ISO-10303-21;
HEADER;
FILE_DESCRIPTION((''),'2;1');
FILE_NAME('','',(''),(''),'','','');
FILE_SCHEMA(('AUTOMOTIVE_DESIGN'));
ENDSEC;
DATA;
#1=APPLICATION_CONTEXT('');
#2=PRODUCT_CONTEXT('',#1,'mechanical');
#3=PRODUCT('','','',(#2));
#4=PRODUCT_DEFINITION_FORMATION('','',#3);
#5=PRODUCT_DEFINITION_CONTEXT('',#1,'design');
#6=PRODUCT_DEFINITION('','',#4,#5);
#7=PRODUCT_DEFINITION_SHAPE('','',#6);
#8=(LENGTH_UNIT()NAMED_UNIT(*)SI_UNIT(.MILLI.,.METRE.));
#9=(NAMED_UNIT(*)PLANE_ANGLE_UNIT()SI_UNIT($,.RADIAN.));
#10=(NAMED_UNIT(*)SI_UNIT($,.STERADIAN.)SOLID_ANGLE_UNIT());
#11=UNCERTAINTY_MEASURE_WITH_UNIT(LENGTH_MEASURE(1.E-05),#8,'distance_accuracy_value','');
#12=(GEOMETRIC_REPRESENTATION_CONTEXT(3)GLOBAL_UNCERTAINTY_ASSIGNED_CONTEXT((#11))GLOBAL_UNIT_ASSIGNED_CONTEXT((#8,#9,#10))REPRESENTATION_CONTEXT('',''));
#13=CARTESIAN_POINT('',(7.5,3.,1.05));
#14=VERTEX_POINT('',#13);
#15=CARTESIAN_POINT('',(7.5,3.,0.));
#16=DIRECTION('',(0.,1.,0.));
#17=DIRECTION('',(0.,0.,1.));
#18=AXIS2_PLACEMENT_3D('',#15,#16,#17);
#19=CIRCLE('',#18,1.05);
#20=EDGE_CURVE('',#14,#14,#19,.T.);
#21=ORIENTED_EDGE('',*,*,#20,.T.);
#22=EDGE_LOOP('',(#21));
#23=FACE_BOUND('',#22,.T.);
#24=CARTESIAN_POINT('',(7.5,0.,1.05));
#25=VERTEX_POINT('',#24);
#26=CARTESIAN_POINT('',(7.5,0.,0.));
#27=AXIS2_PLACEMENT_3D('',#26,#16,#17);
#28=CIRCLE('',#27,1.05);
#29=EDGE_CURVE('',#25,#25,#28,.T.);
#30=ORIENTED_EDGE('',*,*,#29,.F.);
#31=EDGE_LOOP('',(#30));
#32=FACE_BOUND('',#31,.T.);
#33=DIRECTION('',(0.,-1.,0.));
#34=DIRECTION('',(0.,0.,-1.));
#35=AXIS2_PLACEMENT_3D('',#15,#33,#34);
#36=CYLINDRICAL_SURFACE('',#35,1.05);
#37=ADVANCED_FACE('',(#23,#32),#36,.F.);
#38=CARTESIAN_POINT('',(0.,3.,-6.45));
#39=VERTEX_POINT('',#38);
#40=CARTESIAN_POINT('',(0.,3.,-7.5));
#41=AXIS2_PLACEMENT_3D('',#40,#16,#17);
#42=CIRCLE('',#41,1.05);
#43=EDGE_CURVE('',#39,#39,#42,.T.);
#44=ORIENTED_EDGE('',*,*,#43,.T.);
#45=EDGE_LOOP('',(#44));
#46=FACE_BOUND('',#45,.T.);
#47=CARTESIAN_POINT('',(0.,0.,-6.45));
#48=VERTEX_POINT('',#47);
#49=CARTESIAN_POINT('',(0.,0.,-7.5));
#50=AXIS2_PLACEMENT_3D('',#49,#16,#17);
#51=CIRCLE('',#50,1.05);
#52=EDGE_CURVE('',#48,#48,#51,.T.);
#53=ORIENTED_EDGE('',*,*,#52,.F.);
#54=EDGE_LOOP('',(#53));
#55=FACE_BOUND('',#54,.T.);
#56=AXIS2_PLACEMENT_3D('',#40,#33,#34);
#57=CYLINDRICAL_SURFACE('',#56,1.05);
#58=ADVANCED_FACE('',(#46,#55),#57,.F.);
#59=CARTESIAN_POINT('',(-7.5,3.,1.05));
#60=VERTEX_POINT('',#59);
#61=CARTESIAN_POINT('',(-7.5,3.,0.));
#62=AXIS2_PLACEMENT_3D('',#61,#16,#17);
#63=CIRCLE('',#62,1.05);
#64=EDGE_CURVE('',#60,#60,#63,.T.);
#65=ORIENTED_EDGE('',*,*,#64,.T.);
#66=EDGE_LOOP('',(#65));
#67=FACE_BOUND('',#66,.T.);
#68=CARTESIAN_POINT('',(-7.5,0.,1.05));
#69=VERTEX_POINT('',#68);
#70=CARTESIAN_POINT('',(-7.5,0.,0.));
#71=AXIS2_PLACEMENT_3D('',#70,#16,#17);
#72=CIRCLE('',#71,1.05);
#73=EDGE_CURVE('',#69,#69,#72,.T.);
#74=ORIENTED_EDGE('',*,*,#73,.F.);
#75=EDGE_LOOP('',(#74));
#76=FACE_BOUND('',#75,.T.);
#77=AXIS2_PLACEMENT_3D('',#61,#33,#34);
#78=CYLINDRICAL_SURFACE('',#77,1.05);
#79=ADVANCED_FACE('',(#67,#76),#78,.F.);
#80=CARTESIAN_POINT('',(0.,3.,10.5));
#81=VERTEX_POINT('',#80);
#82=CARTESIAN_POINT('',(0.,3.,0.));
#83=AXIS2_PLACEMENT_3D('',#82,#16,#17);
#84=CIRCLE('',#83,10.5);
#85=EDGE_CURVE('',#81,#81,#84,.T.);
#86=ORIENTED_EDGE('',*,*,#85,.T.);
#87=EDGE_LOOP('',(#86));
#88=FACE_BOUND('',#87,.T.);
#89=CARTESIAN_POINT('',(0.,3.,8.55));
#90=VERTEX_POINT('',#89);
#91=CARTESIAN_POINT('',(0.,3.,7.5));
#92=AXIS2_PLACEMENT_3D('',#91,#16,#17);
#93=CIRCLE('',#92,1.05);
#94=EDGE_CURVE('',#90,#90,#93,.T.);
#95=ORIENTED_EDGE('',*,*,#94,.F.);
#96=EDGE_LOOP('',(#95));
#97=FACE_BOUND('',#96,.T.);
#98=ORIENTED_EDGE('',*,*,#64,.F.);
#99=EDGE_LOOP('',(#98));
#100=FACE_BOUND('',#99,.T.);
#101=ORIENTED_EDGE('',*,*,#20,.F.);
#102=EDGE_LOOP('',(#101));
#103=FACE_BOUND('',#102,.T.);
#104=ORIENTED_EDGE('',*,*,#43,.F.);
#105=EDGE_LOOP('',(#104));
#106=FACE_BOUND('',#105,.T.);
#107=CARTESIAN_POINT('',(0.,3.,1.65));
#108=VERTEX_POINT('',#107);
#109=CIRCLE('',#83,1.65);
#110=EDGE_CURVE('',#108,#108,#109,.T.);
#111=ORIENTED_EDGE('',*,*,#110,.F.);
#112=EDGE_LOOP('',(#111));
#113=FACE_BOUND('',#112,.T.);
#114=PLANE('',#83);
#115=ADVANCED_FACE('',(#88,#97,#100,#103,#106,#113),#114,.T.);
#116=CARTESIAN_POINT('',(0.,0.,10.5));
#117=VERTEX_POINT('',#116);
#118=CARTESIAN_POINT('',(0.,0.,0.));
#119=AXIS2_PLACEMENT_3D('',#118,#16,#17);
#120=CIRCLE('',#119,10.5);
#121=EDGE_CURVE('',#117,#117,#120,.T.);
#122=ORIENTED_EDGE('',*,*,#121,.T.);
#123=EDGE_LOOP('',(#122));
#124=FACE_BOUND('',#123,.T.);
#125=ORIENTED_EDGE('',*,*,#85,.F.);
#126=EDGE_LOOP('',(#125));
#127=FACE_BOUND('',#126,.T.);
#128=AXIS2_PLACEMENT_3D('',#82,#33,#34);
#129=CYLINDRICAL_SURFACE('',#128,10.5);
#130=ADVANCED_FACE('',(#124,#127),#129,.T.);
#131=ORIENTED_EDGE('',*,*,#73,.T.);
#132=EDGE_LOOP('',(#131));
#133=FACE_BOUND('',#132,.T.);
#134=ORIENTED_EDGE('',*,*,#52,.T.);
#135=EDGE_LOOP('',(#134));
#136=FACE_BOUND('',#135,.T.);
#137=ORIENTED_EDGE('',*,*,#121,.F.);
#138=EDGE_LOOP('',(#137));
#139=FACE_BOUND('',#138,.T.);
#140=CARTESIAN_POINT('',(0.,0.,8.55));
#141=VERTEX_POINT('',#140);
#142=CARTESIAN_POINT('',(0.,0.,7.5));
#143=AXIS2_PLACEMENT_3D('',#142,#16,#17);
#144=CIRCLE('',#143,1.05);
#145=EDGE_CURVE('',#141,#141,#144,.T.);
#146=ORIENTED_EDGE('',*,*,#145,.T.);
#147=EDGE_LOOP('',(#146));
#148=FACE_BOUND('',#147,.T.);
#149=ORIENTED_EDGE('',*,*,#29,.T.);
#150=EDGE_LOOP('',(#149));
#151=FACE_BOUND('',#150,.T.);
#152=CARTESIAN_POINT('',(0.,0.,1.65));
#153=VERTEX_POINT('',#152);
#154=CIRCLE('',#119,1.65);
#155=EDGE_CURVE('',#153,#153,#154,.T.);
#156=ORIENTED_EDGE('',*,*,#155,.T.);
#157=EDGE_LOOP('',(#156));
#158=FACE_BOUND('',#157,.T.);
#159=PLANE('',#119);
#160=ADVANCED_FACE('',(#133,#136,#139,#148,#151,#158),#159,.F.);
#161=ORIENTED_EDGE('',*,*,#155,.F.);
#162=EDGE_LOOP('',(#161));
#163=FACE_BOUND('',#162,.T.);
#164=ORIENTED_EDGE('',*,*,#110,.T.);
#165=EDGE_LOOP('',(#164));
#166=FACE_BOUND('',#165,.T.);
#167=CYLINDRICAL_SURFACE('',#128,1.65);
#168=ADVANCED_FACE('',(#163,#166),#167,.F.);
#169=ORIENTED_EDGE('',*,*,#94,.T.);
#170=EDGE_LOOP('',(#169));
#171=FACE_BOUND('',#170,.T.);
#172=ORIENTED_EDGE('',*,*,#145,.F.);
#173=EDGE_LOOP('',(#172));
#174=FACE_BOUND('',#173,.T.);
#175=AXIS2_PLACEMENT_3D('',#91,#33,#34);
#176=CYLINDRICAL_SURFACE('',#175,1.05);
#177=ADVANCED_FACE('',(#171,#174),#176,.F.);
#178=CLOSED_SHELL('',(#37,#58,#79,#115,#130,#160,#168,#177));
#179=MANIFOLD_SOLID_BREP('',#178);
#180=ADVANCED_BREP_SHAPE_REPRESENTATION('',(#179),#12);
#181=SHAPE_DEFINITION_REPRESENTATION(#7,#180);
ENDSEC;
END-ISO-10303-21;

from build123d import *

# Parameters (mm, degrees)
SKETCH1_R           = 10.5
SKETCH1_R_2         = 1.65
SKETCH1_R_3         = 1.05
BOSS_EXTRUDE1_DEPTH = 3


with BuildPart() as part:
    # Sketch1 → Boss-Extrude1 (new body)
    with BuildSketch(Plane(origin=(0, 0, 0), x_dir=(1, 0, 0), z_dir=(0, 1, 0))):
        with Locations(Location((0, 0, 0), (0, 0, 270))):
            Circle(SKETCH1_R)
        with Locations(Location((0, 0, 0), (0, 0, 270))):
            Circle(SKETCH1_R_2, mode=Mode.SUBTRACT)
        with Locations(Location((-7.5, 0, 0), (0, 0, 270))):
            Circle(SKETCH1_R_3, mode=Mode.SUBTRACT)
        with Locations(Location((0, 7.5, 0), (0, 0, 270))):
            Circle(SKETCH1_R_3, mode=Mode.SUBTRACT)
        with Locations(Location((7.5, 0, 0), (0, 0, 270))):
            Circle(SKETCH1_R_3, mode=Mode.SUBTRACT)
        with Locations(Location((0, -7.5, 0), (0, 0, 270))):
            Circle(SKETCH1_R_3, mode=Mode.SUBTRACT)
    extrude(amount=BOSS_EXTRUDE1_DEPTH)


solid = part.part
